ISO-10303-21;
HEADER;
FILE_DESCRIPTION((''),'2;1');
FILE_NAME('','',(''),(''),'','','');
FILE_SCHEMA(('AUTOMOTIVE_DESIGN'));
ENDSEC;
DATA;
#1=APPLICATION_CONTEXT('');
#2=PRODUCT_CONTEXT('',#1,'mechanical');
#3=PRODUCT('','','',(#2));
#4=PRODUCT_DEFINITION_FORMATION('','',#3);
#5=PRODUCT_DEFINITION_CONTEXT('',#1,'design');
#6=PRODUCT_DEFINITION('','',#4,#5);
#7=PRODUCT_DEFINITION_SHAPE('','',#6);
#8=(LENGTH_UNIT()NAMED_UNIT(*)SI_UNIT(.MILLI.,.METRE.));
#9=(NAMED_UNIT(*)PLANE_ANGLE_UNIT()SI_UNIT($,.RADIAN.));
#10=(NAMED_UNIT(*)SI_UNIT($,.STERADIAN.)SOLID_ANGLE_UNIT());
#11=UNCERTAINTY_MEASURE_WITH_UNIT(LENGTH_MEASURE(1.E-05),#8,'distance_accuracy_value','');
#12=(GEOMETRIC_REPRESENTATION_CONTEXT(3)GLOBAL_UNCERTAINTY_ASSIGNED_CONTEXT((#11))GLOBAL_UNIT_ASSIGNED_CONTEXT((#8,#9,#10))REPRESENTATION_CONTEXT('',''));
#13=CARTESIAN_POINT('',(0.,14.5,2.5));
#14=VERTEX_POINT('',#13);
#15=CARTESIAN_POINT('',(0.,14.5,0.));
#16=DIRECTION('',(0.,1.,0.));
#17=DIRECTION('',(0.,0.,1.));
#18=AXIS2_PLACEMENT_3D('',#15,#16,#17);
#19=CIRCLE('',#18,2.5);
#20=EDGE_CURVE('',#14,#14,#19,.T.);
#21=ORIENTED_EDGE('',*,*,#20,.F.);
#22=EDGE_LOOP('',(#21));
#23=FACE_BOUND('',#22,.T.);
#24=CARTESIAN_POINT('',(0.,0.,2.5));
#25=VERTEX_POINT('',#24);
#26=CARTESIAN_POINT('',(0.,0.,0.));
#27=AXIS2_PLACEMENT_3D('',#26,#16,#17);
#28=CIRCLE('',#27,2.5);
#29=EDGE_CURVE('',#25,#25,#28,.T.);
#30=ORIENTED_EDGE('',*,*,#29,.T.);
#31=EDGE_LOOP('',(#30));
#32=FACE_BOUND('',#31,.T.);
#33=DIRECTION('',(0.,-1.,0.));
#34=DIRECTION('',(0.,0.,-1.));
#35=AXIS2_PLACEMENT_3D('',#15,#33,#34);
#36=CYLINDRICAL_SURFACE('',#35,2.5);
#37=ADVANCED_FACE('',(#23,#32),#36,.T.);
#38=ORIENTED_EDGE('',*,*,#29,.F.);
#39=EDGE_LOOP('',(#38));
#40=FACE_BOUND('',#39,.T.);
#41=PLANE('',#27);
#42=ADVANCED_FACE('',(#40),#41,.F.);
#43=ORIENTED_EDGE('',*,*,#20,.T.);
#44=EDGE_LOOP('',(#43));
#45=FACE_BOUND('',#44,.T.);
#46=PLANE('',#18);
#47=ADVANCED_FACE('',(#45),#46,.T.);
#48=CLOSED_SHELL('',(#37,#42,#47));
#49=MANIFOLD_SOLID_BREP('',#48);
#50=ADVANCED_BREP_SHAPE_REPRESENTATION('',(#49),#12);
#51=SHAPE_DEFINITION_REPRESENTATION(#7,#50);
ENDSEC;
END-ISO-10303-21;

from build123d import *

# Parameters (mm, degrees)
CROQUIS1_R              = 2.5
SALIENTE_EXTRUIR1_DEPTH = 14.5


with BuildPart() as part:
    # Croquis1 → Saliente-Extruir1 (new body)
    with BuildSketch(Plane(origin=(0, 0, 0), x_dir=(1, 0, 0), z_dir=(0, 1, 0))):
        Circle(CROQUIS1_R)
    extrude(amount=SALIENTE_EXTRUIR1_DEPTH)


solid = part.part
